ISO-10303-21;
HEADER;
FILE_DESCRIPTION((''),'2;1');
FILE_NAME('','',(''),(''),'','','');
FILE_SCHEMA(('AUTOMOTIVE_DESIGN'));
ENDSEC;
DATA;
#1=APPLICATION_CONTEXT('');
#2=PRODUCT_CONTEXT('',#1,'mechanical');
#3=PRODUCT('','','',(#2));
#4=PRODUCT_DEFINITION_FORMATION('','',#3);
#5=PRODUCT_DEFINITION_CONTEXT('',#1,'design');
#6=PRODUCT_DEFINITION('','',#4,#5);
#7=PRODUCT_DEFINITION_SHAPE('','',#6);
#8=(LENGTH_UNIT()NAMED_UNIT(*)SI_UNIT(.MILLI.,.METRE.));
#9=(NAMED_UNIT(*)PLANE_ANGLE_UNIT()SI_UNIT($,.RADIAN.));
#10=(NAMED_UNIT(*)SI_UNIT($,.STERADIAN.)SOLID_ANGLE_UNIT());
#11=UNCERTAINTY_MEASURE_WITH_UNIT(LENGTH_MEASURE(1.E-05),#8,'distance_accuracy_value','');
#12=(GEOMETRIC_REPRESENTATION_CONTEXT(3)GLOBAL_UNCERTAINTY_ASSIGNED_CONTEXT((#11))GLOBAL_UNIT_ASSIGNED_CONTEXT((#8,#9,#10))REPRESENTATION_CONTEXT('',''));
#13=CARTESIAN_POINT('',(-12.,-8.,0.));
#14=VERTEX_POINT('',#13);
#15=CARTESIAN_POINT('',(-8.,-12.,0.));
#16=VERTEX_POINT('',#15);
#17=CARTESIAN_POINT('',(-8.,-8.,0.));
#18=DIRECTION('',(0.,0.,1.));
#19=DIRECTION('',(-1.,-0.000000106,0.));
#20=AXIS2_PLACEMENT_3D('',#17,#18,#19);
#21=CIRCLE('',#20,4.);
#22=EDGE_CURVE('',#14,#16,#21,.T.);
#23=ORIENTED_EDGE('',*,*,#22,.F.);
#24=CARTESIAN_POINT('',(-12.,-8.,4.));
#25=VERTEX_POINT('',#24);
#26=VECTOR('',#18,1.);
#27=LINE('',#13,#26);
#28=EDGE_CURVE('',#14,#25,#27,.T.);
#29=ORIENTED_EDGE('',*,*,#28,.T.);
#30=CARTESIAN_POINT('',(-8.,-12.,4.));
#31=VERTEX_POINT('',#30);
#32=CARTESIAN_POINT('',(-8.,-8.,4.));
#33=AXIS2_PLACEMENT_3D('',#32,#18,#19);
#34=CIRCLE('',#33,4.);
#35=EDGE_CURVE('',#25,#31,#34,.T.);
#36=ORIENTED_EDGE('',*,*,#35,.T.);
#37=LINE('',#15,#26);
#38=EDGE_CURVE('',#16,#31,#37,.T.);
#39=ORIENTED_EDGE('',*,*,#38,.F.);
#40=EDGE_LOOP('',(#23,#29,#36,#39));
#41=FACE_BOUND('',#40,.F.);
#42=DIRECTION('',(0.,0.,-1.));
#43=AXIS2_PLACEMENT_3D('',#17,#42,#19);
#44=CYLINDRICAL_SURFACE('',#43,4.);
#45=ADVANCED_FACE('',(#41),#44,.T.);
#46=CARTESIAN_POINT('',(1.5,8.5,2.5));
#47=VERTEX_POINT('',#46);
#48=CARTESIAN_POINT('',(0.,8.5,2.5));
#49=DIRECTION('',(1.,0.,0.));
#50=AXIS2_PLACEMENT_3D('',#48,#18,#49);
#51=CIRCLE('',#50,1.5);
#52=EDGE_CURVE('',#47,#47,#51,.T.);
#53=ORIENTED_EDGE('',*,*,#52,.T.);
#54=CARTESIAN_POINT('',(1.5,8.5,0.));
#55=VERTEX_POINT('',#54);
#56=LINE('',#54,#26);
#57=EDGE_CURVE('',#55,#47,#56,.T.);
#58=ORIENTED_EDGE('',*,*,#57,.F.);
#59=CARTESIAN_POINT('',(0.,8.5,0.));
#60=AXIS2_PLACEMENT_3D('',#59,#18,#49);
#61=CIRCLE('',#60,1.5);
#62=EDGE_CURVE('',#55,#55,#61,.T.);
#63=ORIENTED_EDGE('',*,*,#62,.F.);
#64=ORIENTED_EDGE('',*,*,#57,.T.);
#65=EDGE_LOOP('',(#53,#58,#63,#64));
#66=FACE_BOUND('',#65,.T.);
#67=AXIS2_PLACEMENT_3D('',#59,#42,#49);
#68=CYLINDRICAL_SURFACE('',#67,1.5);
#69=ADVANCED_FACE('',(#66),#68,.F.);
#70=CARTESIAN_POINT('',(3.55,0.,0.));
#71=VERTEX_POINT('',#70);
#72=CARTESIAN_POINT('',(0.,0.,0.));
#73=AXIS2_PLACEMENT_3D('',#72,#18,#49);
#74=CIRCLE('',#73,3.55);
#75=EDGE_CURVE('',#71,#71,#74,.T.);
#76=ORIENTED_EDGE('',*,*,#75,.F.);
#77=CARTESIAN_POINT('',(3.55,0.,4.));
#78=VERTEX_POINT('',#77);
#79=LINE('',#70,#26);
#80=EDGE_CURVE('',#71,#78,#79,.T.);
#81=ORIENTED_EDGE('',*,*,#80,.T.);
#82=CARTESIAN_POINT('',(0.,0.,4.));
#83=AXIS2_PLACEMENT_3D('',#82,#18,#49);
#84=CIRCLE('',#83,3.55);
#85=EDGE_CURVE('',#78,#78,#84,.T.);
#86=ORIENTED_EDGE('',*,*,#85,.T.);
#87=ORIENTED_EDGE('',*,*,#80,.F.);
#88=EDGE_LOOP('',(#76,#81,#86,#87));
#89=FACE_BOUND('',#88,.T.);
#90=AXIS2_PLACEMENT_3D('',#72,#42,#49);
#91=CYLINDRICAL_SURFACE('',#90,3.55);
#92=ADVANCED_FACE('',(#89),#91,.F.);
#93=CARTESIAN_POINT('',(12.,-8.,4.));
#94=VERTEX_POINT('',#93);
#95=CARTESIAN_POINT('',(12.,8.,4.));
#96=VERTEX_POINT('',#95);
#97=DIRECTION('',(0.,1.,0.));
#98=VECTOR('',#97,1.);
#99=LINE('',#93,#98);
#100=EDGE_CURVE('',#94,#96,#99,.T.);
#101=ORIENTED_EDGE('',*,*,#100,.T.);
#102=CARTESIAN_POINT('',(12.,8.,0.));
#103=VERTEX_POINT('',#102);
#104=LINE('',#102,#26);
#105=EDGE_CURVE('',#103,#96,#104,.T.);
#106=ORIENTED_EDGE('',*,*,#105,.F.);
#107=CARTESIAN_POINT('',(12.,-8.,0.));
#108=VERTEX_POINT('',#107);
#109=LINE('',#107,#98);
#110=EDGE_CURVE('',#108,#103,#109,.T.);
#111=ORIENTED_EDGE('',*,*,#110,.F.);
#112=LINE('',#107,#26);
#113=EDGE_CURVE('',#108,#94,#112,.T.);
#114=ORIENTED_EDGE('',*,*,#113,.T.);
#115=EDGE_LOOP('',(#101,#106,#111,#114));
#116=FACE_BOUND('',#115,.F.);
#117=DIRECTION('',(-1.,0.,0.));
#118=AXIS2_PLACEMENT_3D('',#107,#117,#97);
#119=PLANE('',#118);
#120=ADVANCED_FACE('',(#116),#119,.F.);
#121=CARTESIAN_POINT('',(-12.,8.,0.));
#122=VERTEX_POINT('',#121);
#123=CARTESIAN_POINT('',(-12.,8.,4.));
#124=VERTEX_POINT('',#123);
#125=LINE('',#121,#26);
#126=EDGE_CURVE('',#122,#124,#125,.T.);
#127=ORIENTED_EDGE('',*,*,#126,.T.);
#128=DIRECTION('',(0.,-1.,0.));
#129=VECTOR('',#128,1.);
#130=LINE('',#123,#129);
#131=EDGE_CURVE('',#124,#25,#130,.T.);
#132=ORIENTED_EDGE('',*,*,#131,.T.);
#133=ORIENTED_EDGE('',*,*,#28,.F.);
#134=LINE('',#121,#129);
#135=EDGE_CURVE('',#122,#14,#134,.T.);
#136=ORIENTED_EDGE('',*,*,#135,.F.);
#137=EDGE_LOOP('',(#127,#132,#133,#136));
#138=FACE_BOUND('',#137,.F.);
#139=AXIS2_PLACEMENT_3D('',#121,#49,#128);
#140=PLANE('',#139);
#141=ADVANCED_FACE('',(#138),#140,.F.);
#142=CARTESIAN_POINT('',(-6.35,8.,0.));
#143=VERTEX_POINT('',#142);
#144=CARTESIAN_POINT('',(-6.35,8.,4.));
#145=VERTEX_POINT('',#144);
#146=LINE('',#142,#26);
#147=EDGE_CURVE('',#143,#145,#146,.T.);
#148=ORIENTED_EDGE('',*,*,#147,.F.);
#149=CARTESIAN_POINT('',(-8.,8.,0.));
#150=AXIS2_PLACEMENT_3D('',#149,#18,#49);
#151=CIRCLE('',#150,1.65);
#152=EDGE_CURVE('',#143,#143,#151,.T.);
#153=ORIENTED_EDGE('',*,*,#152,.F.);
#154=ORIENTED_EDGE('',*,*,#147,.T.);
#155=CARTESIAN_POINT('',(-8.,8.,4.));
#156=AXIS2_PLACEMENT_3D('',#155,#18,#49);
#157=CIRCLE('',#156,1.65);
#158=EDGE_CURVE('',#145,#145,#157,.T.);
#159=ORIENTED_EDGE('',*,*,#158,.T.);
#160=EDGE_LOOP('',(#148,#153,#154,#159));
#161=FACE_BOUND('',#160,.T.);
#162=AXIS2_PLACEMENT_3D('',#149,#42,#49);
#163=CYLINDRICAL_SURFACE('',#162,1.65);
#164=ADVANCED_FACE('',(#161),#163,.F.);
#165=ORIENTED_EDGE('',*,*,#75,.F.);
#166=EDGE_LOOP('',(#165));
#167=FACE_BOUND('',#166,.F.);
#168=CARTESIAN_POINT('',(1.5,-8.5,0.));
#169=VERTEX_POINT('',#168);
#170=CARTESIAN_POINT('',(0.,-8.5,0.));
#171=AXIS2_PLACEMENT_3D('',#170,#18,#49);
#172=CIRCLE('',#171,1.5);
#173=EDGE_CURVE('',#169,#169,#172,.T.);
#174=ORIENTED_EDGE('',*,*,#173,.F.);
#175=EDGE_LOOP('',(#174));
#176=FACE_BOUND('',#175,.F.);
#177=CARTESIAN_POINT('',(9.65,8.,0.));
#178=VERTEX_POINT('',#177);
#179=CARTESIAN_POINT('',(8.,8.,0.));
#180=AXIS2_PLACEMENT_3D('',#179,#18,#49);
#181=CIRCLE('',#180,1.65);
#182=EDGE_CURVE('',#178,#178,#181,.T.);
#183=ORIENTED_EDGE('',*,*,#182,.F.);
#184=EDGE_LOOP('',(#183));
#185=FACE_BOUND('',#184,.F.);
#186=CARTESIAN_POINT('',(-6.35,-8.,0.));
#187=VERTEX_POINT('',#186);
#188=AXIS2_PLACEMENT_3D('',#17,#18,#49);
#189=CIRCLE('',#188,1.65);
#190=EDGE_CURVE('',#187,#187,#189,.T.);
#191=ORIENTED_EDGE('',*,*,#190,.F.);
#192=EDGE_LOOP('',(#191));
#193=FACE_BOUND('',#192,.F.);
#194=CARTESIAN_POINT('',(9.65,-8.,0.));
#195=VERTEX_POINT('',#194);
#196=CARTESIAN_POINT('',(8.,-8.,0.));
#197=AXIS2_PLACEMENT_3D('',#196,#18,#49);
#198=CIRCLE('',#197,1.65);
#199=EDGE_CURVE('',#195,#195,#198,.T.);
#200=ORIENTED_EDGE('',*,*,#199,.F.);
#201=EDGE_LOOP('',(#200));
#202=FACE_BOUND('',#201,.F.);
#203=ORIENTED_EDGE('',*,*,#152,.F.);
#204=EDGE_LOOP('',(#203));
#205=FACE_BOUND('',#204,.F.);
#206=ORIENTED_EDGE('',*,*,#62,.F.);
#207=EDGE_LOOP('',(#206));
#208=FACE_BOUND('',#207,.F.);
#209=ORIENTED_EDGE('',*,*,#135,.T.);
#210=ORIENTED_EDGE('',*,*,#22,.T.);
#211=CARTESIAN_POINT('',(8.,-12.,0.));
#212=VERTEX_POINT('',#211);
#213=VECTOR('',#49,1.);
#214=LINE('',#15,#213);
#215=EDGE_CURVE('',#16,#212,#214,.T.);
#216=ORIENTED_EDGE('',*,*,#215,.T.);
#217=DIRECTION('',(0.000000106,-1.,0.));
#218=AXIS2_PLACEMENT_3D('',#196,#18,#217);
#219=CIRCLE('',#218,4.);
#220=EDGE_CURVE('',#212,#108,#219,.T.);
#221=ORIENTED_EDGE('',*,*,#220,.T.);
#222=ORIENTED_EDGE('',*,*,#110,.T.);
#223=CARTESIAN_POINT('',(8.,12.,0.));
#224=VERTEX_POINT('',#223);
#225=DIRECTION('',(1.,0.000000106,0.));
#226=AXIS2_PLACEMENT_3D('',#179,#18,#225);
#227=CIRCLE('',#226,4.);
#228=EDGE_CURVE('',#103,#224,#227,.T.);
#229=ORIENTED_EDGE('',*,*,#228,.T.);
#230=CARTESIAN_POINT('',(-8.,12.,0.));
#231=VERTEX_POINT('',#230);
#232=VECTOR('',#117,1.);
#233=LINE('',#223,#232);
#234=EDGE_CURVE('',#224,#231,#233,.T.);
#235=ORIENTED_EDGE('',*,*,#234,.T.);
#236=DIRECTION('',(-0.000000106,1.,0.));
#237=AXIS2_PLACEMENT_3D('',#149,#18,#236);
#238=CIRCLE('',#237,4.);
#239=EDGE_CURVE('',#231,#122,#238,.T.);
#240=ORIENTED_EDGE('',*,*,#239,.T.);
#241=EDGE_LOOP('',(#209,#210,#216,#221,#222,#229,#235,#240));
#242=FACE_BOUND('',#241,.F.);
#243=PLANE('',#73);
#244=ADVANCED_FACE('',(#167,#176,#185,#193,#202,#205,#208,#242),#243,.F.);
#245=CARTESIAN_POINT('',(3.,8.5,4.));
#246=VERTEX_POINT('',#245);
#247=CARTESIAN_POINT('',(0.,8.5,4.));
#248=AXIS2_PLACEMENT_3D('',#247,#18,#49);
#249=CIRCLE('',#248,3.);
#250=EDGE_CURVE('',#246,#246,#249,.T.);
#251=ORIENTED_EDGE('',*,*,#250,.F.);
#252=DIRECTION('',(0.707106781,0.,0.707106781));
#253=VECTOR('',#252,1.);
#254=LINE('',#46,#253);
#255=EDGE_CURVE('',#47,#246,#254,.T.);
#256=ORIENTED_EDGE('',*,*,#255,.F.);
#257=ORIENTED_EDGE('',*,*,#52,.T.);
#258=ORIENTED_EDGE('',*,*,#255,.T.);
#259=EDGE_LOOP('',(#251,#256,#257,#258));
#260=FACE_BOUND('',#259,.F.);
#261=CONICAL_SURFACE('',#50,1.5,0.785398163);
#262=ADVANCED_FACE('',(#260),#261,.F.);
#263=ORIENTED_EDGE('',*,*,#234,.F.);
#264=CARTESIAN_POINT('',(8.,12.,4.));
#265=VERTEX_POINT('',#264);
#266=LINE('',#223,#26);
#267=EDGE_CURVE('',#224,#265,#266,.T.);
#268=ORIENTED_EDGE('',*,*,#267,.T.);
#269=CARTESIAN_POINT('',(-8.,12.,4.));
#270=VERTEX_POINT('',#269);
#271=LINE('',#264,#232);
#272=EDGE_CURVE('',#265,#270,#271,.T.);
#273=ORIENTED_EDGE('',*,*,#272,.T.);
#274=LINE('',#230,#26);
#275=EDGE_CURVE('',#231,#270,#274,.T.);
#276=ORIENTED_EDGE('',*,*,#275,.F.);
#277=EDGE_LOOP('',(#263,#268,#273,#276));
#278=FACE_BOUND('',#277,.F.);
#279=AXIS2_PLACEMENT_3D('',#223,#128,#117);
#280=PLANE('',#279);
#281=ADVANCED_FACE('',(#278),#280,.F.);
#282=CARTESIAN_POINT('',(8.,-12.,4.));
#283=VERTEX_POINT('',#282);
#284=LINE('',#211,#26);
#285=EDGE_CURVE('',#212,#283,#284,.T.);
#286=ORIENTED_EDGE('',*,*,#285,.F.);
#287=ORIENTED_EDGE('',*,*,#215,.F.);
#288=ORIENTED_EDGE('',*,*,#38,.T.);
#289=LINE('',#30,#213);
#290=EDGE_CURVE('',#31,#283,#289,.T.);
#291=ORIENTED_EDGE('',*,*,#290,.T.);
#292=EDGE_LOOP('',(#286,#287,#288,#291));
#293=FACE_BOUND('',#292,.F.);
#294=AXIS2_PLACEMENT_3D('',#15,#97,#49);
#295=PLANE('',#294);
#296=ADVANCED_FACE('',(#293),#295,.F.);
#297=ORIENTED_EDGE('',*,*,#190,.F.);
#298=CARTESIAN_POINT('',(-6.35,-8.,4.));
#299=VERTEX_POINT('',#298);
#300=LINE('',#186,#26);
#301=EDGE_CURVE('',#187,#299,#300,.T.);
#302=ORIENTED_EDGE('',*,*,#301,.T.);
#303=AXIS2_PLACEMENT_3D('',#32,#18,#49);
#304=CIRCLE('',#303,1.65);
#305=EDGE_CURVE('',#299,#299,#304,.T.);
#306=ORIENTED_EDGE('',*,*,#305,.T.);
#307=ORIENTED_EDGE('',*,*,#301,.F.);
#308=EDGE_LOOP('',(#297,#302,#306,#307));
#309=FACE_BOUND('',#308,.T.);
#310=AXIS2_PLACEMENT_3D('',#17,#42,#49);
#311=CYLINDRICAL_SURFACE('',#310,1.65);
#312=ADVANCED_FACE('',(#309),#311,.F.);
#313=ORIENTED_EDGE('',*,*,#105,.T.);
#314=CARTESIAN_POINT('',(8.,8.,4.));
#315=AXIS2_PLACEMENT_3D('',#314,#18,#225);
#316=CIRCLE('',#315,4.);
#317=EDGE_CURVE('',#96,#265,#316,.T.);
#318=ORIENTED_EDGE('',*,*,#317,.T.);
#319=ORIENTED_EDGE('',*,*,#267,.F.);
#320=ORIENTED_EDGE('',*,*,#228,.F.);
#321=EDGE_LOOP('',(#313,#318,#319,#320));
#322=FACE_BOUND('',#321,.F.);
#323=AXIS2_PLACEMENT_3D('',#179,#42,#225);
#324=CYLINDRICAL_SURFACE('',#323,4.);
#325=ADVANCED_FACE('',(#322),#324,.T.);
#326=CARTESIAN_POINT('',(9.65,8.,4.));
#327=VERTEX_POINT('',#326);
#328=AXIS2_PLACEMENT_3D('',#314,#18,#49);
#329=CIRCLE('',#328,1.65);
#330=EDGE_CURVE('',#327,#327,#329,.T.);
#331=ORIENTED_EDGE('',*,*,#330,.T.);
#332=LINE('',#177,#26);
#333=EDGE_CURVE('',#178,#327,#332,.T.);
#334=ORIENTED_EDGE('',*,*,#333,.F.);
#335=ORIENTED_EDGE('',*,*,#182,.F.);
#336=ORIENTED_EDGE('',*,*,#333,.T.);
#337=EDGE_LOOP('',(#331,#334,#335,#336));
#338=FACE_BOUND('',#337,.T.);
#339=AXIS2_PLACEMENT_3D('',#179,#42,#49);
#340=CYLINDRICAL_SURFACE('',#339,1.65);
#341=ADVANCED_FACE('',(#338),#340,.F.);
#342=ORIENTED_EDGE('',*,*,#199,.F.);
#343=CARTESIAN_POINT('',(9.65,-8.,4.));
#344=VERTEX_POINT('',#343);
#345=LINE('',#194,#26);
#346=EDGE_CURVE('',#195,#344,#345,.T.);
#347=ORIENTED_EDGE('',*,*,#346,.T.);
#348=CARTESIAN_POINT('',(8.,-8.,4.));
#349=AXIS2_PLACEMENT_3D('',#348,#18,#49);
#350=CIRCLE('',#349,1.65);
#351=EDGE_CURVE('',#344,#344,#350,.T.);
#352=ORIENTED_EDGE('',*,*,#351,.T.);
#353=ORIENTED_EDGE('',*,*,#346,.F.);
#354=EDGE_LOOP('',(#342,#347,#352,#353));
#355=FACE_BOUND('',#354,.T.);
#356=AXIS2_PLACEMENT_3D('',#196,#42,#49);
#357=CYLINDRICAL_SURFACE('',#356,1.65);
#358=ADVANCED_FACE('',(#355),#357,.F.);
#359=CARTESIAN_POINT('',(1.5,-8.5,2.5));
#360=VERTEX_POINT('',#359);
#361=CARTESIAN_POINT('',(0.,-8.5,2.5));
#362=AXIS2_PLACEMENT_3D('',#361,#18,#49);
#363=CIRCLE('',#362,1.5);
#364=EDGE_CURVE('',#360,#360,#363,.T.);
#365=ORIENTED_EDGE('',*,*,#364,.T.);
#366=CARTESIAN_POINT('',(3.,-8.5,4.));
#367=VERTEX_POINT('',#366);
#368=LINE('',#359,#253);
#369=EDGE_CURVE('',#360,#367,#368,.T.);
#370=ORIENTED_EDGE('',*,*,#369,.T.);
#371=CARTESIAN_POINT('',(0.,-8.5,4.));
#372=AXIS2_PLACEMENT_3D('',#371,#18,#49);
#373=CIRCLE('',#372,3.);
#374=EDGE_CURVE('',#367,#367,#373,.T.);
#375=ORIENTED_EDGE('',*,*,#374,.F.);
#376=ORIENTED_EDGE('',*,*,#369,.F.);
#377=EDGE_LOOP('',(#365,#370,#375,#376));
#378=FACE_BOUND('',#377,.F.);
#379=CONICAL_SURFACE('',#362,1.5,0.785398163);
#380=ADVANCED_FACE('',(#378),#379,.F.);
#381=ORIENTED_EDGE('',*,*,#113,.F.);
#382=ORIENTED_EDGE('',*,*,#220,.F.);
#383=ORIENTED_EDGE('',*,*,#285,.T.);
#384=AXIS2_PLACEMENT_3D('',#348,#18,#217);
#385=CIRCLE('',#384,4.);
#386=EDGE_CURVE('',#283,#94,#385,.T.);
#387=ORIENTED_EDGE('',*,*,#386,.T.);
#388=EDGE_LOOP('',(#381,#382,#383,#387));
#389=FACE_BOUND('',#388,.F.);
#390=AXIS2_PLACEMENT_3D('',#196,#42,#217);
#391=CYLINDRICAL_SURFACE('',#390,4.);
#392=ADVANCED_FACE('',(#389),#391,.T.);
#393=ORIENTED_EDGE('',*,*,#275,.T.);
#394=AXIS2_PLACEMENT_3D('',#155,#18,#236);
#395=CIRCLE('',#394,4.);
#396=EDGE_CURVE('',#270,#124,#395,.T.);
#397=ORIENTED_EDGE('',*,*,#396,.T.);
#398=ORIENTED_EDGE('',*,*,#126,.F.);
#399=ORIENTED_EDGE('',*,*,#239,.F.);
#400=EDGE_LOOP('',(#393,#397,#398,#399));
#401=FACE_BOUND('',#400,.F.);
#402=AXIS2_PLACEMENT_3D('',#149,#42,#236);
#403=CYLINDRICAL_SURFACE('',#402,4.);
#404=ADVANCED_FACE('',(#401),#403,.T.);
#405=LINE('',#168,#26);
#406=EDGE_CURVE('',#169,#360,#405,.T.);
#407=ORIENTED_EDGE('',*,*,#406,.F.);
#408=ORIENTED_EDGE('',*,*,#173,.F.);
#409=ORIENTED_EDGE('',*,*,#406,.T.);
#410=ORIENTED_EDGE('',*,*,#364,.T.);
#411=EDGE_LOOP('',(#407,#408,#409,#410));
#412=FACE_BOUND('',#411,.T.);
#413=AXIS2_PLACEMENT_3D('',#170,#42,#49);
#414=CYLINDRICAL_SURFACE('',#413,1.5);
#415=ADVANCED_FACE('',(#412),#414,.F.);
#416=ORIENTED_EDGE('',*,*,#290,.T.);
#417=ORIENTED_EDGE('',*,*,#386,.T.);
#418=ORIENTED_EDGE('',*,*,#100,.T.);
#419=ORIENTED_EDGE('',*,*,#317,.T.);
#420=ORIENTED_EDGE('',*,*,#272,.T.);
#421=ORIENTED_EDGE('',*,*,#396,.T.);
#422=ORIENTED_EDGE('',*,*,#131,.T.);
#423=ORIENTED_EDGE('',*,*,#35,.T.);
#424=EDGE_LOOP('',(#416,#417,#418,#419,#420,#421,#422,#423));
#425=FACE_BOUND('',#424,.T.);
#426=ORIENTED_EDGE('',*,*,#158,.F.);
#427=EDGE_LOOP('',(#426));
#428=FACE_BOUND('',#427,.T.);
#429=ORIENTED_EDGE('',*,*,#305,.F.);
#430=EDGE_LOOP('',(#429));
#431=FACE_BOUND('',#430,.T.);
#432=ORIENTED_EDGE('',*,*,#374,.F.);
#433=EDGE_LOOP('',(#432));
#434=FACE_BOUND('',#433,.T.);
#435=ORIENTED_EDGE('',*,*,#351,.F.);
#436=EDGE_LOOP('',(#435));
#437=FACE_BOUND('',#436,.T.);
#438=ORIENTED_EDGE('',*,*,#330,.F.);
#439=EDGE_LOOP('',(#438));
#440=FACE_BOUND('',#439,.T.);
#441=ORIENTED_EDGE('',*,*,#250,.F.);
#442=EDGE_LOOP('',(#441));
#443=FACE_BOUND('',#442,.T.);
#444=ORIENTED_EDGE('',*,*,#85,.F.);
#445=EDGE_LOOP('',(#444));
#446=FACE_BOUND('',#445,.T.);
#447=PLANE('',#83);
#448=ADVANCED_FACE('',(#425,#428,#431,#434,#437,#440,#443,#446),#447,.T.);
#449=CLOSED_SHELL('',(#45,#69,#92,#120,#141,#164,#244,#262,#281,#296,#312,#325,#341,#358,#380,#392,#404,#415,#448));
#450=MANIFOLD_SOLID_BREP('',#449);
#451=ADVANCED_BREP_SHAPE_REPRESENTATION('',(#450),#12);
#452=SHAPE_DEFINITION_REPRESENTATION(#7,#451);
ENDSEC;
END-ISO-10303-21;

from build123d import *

# Parameters (mm, degrees)
F0_R     = 1.65
F0_R_2   = 1.5
F0_R_3   = 3.55
F1_DEPTH = 4
F2_SIZE2 = 1.5
F2_SIZE  = 1.5


with BuildPart() as f1:
    # F0 (on Top) → F1 (new body)
    with BuildSketch(Plane.XY):
        with BuildLine():
            ThreePointArc((12, 8), (10.828427, 10.828427), (8, 12))
            Line((8, 12), (-8, 12))
            ThreePointArc((-8, 12), (-10.828427, 10.828427), (-12, 8))
            Line((-12, 8), (-12, -8))
            ThreePointArc((-12, -8), (-10.828427, -10.828427), (-8, -12))
            Line((-8, -12), (8, -12))
            ThreePointArc((8, -12), (10.828427, -10.828427), (12, -8))
            Line((12, -8), (12, 8))
        make_face()
        with Locations((-8, -8)):
            Circle(F0_R, mode=Mode.SUBTRACT)
        with Locations((0, -8.5)):
            Circle(F0_R_2, mode=Mode.SUBTRACT)
        with Locations((8, -8)):
            Circle(F0_R, mode=Mode.SUBTRACT)
        with Locations((-8, 8)):
            Circle(F0_R, mode=Mode.SUBTRACT)
        Circle(F0_R_3, mode=Mode.SUBTRACT)
        with Locations((0, 8.5)):
            Circle(F0_R_2, mode=Mode.SUBTRACT)
        with Locations((8, 8)):
            Circle(F0_R, mode=Mode.SUBTRACT)
    extrude(amount=F1_DEPTH)

    # F2
    f2_edges = [f1.edges().sort_by_distance(p)[0] for p in [
        (-1.5, 8.5, 4),
        (-1.5, -8.5, 4),
    ]]
    chamfer(f2_edges, length=F2_SIZE, length2=F2_SIZE2)


solid = f1.part
